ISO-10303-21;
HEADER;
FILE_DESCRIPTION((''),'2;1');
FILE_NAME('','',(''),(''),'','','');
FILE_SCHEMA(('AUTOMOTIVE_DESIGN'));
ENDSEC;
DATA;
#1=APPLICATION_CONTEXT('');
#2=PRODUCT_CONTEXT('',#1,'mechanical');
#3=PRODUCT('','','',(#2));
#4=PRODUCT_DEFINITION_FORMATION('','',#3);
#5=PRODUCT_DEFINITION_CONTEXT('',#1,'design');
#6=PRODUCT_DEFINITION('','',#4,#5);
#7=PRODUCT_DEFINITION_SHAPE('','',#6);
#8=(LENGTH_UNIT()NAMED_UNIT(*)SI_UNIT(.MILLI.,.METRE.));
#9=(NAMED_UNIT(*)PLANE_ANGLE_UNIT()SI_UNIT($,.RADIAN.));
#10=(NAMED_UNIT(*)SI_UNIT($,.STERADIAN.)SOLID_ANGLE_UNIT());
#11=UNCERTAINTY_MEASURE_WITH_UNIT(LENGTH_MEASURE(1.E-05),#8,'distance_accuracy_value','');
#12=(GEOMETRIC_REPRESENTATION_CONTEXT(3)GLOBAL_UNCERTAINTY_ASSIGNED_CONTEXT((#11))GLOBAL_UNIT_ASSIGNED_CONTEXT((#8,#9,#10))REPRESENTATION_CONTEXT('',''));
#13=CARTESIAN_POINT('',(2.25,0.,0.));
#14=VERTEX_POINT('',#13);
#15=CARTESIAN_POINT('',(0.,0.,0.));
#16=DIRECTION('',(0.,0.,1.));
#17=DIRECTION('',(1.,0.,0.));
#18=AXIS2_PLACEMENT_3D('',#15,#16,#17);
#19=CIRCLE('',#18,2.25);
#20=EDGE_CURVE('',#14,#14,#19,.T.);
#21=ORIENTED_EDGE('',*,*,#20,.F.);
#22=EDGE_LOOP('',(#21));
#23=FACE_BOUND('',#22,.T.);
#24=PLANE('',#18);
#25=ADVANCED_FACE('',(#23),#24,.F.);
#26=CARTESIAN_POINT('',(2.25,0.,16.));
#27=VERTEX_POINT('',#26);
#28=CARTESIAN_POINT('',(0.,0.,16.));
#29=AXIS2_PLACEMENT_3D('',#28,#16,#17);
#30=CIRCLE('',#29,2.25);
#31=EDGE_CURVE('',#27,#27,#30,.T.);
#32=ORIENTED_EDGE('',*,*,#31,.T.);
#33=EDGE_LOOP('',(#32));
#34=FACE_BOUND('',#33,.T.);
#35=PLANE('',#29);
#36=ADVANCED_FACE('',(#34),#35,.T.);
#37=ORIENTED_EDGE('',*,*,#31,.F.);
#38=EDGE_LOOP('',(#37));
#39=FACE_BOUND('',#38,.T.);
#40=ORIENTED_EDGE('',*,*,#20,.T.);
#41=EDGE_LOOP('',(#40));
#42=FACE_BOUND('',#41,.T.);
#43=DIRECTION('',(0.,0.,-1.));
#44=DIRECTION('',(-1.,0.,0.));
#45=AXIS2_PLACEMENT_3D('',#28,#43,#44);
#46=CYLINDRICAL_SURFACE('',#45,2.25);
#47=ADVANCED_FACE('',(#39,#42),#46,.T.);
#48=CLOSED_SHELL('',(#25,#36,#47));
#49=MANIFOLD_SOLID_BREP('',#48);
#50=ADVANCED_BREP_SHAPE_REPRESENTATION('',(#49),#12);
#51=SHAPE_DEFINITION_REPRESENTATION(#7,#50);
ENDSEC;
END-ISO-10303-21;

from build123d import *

# Parameters (mm, degrees)
SKETCH1_R           = 2.25
BOSS_EXTRUDE1_DEPTH = 16


with BuildPart() as part:
    # Sketch1 → Boss-Extrude1 (new body)
    with BuildSketch(Plane.XY):
        Circle(SKETCH1_R)
    extrude(amount=BOSS_EXTRUDE1_DEPTH)


solid = part.part
